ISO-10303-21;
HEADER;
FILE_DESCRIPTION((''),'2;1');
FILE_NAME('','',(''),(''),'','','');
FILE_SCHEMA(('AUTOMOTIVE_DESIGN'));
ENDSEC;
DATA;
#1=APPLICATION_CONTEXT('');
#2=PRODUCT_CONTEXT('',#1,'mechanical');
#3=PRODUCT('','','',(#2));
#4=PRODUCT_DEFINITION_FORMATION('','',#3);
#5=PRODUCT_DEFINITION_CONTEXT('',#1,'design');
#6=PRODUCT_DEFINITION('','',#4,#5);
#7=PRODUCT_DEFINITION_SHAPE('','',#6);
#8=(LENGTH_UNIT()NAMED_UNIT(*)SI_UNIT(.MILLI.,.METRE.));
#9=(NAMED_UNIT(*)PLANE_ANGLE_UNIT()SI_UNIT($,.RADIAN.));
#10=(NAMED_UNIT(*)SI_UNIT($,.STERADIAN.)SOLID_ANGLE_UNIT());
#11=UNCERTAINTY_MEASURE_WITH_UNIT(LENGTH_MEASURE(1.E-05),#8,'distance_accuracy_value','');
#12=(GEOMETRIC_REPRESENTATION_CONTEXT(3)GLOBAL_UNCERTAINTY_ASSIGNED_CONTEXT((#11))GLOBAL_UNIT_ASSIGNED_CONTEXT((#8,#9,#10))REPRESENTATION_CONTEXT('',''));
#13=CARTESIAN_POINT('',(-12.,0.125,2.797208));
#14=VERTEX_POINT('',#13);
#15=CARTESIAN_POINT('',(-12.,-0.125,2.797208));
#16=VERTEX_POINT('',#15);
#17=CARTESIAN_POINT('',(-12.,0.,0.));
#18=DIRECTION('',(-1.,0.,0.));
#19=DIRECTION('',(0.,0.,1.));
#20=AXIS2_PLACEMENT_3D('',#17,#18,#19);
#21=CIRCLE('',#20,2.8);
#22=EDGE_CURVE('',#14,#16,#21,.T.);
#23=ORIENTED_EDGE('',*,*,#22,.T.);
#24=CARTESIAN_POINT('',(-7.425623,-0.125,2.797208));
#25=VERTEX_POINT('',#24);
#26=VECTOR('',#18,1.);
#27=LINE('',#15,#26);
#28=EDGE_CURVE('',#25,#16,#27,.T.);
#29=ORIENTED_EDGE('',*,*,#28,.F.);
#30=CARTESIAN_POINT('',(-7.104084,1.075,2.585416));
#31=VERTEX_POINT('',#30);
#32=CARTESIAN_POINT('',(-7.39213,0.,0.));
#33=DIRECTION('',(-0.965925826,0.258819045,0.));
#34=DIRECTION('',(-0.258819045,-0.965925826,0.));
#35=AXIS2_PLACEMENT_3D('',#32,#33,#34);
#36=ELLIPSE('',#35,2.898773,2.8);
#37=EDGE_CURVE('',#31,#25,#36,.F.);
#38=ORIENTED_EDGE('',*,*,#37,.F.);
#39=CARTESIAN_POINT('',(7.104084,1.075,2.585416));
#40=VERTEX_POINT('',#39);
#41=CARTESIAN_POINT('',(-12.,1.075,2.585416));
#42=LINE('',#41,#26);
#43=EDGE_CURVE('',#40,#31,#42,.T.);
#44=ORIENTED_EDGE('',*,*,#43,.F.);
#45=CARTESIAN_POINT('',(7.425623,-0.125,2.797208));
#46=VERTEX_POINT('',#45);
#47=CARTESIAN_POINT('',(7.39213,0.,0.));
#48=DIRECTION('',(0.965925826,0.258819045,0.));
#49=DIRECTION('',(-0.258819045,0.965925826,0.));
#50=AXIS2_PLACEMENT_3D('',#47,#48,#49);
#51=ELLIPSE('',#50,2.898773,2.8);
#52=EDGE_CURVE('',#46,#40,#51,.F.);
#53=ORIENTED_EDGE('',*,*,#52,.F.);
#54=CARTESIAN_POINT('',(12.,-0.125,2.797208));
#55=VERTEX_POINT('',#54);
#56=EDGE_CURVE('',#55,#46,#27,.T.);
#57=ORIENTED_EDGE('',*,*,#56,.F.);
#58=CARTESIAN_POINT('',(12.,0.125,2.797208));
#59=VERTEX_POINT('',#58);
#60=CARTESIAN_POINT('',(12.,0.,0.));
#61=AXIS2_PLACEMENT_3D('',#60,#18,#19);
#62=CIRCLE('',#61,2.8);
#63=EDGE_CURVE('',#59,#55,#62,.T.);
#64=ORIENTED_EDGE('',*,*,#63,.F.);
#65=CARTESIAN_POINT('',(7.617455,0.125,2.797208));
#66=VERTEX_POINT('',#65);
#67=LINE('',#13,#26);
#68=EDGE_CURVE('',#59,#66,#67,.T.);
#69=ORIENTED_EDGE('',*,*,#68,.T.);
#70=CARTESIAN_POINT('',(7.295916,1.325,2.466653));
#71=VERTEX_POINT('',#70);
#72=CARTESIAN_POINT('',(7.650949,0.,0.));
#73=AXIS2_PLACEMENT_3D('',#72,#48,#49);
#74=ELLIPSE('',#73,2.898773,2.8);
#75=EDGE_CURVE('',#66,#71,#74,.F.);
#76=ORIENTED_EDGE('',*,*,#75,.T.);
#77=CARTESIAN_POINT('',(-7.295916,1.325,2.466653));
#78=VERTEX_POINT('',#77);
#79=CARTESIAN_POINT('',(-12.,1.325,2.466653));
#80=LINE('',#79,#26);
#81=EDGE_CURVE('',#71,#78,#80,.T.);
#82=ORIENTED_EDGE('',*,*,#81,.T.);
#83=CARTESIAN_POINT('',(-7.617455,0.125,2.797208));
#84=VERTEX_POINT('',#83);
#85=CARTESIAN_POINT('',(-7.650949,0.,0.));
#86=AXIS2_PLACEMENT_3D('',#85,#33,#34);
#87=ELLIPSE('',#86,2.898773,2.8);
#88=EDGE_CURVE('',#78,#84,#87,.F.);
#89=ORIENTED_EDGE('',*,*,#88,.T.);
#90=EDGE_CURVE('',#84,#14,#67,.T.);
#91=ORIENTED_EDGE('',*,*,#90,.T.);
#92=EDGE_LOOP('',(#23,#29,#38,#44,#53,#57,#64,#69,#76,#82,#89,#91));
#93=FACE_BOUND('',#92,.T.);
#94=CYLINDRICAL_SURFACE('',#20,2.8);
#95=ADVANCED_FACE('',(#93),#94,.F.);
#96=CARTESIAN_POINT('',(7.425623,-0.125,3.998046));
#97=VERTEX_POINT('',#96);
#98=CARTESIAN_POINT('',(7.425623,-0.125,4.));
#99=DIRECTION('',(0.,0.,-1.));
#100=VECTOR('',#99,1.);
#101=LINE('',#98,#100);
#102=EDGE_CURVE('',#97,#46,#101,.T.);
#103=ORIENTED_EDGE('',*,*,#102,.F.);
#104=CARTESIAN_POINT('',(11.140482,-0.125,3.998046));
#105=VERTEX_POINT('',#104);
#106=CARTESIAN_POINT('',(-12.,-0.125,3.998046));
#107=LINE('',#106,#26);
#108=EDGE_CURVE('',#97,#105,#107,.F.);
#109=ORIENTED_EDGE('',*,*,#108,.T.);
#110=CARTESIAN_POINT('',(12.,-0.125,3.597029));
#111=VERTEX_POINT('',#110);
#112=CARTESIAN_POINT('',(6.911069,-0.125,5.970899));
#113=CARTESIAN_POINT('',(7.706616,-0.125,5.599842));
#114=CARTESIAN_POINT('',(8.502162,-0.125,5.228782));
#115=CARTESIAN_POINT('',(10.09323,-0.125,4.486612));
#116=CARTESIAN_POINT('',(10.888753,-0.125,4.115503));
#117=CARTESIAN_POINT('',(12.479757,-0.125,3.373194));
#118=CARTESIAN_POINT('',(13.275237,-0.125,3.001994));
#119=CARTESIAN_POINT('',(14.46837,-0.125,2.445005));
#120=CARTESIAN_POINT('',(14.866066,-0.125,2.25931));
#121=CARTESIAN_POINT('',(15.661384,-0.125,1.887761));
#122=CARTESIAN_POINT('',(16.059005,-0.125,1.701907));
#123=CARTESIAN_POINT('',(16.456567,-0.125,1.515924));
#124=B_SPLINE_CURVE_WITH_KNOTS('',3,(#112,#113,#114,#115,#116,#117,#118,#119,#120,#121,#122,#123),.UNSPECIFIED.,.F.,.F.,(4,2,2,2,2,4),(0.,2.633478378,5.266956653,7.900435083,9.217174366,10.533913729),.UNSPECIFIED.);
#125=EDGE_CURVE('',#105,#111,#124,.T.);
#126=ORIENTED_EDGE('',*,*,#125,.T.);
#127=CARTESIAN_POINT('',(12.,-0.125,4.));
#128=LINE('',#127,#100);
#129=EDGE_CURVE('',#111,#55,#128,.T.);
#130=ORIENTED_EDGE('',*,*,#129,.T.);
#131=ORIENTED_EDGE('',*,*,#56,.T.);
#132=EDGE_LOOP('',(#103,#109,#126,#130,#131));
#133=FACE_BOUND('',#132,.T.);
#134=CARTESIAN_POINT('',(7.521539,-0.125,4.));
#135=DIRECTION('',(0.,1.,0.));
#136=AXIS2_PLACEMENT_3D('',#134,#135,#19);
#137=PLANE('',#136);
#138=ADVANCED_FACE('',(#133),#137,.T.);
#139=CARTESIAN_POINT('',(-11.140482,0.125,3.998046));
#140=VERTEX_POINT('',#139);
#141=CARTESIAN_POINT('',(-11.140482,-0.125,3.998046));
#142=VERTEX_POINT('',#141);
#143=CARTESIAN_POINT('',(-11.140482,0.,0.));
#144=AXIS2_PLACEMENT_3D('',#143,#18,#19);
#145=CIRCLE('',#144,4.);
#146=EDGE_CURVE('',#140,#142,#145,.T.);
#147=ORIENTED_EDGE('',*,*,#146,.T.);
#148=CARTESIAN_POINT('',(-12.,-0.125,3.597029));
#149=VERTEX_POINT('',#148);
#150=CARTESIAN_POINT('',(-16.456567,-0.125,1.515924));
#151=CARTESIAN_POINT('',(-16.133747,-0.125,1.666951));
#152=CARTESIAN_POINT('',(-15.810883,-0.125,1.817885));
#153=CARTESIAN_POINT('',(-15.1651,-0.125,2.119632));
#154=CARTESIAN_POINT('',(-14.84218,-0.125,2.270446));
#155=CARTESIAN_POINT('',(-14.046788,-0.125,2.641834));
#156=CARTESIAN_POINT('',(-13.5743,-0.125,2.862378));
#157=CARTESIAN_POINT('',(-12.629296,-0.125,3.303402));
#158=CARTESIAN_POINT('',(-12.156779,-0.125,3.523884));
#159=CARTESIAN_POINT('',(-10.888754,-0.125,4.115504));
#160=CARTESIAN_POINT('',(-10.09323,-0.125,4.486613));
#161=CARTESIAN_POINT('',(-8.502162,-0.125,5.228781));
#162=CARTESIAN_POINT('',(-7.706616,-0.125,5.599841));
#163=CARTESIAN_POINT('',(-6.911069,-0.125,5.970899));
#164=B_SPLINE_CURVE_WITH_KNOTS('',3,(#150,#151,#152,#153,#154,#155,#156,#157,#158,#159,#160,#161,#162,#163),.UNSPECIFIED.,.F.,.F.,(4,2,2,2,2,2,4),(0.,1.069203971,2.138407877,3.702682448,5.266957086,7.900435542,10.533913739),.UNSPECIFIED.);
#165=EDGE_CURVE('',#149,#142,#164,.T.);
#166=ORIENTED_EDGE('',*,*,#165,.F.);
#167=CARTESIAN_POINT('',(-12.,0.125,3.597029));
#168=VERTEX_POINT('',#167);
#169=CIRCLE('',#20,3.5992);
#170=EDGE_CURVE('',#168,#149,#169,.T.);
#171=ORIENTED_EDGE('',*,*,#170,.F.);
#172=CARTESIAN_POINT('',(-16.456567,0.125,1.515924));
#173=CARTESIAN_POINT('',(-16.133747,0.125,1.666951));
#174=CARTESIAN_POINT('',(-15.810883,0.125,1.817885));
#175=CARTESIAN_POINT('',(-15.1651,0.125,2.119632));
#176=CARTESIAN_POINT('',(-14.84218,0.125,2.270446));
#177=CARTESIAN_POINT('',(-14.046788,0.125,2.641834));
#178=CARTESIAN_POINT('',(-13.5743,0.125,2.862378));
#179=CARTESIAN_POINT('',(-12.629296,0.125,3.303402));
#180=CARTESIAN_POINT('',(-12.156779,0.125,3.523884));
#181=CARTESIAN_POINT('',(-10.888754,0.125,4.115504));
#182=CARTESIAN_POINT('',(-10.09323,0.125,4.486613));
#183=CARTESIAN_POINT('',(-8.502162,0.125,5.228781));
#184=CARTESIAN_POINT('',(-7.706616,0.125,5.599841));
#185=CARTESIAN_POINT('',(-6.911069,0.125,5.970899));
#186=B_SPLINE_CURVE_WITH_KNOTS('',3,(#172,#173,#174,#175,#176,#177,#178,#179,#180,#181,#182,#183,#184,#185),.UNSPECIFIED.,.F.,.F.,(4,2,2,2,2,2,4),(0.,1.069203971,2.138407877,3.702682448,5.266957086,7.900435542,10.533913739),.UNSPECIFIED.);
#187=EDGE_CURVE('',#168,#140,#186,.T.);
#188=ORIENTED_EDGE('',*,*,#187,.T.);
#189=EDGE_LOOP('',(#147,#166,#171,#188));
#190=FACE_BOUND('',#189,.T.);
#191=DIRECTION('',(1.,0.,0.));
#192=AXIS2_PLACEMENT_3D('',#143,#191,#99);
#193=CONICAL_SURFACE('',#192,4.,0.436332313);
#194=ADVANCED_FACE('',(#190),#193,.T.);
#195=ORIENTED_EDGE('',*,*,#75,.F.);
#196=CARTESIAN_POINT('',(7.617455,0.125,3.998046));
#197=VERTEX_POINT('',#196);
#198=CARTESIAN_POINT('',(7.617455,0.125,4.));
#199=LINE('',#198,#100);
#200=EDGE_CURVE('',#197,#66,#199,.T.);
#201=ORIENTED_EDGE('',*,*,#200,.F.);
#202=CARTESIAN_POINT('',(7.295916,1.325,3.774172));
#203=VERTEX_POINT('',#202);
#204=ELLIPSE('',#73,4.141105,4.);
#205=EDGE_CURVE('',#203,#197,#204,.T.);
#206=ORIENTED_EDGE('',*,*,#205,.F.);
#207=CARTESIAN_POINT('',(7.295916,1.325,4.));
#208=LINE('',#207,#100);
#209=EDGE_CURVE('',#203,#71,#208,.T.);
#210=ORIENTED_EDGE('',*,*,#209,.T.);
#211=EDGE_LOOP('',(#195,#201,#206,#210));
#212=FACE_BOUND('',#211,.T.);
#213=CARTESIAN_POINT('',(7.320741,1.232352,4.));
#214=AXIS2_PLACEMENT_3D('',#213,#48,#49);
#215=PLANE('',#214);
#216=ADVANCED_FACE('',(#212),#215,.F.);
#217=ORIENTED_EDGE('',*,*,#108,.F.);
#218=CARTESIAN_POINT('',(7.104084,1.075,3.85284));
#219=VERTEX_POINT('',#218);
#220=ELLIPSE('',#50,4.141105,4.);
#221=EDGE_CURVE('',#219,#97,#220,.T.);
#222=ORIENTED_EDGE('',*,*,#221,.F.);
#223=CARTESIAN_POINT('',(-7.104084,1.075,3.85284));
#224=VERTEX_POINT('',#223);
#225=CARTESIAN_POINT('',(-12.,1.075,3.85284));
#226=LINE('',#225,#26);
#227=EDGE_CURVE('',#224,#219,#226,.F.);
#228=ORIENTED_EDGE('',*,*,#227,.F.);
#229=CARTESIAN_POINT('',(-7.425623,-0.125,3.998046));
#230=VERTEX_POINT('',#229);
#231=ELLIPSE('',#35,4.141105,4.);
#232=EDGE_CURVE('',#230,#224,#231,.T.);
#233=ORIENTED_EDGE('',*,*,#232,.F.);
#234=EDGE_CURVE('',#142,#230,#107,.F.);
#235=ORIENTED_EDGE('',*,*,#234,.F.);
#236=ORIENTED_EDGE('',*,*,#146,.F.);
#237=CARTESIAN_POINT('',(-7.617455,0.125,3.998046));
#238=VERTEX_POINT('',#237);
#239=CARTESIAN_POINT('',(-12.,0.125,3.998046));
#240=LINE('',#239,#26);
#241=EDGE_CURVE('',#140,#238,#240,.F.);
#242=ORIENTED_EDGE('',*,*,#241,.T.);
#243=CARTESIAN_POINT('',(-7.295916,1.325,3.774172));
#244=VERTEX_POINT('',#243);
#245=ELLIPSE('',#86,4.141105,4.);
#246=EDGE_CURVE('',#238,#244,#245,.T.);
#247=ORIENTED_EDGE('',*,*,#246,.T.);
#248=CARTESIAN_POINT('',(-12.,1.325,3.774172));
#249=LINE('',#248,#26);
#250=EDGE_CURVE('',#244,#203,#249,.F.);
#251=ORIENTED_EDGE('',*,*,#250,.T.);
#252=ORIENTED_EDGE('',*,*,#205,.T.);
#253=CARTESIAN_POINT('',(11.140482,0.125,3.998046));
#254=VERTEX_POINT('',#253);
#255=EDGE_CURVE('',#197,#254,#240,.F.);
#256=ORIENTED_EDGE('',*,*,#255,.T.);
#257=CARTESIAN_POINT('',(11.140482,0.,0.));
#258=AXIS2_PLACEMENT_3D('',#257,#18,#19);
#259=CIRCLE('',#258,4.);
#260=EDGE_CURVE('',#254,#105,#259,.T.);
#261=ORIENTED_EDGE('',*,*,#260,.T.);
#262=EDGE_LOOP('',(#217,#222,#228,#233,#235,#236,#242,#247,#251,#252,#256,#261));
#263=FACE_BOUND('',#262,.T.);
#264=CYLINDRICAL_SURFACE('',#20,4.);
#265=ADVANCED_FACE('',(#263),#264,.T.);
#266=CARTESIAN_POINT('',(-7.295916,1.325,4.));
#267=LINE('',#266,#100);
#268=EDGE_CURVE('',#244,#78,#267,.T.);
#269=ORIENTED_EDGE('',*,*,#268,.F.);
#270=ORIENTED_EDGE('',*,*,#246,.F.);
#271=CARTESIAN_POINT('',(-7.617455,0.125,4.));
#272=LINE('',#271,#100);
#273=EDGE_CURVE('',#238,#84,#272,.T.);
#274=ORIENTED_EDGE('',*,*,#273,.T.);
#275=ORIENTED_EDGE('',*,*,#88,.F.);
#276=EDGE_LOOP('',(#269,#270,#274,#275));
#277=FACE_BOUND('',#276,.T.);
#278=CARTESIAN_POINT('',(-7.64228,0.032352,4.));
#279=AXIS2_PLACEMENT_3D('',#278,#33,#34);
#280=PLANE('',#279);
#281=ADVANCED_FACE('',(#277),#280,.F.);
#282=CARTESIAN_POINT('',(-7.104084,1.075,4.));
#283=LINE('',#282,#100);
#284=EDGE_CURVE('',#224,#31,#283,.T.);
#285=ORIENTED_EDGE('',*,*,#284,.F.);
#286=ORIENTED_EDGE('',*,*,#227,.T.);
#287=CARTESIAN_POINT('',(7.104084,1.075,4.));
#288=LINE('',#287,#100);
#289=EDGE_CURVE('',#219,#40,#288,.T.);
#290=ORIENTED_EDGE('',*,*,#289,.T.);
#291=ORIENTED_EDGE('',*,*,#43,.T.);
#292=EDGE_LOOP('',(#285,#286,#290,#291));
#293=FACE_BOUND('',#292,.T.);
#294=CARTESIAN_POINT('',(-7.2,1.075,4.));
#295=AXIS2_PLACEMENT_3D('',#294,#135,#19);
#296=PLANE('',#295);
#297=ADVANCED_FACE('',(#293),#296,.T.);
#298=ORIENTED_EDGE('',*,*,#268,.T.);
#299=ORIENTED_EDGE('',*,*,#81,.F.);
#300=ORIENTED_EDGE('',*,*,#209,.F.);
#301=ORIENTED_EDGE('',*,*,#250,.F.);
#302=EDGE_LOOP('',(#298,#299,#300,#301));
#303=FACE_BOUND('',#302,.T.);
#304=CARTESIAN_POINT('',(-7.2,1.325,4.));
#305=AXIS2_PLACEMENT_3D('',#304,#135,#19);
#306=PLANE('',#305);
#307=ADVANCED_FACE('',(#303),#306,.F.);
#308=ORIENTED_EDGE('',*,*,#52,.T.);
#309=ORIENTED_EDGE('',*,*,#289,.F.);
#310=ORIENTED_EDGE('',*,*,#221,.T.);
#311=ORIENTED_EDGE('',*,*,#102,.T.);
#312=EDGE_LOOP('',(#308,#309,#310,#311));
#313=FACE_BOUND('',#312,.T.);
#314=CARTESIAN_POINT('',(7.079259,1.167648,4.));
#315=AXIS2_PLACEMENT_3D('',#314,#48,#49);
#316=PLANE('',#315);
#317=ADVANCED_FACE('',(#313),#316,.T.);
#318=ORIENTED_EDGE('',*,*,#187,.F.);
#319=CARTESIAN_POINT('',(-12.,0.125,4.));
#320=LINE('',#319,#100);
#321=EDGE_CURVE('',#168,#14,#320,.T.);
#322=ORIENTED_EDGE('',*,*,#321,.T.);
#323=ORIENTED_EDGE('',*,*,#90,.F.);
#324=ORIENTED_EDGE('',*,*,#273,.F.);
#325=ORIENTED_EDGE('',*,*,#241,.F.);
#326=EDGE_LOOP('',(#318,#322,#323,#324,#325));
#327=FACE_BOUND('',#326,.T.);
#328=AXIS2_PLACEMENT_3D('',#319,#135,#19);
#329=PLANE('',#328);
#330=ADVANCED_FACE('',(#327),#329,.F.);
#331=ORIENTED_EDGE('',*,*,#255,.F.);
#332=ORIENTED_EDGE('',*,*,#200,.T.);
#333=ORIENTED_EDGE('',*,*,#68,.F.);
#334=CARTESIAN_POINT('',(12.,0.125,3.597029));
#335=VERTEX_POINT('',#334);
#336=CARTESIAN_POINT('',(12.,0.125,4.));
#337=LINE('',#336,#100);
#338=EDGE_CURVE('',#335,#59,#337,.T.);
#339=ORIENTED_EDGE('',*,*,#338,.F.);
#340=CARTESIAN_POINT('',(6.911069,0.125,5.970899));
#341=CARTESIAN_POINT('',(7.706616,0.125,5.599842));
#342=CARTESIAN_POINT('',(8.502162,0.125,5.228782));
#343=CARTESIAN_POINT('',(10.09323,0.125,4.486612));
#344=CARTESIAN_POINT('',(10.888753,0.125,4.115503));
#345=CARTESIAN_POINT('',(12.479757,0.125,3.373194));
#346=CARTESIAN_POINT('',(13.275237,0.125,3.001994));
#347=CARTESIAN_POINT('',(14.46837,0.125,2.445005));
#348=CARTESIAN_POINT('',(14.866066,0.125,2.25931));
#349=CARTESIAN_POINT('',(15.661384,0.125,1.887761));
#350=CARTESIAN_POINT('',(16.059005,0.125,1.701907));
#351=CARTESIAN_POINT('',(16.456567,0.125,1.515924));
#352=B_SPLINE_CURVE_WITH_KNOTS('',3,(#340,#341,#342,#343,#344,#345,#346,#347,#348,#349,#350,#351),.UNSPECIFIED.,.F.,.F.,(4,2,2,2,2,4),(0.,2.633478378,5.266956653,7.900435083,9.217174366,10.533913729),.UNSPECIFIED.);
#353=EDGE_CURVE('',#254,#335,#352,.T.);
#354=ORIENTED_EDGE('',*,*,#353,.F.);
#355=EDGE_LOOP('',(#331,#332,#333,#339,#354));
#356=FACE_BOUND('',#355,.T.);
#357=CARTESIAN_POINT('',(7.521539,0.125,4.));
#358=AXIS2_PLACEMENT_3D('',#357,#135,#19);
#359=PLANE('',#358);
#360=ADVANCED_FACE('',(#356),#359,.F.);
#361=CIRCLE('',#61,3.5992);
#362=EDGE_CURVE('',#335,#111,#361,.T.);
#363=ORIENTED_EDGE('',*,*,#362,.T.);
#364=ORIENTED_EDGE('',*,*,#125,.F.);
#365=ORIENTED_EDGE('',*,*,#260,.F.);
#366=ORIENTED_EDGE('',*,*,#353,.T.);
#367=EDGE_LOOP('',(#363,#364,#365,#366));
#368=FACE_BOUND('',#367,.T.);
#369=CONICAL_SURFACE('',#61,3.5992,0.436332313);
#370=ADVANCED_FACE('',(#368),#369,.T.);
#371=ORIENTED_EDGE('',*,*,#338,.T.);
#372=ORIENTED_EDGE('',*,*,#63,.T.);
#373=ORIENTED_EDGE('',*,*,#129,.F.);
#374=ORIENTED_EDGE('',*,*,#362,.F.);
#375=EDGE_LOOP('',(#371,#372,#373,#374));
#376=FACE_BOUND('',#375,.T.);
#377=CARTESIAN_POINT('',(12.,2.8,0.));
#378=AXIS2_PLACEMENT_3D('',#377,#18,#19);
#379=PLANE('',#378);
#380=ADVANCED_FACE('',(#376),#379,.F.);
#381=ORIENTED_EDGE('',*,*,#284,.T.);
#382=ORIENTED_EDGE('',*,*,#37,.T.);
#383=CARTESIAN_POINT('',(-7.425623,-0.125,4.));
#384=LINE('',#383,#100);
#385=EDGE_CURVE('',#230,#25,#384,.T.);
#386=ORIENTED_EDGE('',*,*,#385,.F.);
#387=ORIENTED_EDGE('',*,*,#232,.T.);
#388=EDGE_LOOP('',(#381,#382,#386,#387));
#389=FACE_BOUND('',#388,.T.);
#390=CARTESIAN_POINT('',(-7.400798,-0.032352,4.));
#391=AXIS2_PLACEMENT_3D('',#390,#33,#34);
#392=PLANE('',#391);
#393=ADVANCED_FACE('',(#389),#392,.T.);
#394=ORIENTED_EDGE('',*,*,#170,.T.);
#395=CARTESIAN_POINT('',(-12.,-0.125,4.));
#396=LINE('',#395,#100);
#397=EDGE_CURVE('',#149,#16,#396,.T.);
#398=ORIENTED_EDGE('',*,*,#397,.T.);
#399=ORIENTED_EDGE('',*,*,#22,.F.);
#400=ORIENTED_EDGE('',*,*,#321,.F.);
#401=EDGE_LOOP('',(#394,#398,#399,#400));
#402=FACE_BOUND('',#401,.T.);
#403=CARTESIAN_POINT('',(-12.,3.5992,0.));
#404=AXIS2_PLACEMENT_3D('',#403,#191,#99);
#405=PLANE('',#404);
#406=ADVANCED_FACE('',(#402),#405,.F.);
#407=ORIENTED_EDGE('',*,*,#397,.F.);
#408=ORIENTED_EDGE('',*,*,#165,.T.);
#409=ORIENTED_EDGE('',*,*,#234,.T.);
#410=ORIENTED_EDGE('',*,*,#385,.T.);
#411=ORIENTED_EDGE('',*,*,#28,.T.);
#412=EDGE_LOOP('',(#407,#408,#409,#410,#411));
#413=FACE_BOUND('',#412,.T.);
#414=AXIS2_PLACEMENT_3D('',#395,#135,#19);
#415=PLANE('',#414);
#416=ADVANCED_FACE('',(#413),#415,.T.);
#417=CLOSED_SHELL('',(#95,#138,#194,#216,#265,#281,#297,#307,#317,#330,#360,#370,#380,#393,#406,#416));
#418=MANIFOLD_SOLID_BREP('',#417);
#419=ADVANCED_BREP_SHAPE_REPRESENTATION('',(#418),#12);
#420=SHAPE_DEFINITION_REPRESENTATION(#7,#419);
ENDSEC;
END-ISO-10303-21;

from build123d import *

# Parameters (mm, degrees)
CUT_EXTRUDE_THIN1_DEPTH = 14.266499161


with BuildPart() as part:
    # Sketch1 → Revolve1 (revolve)
    with BuildSketch(Plane.XY, mode=Mode.PRIVATE) as revolve1_sk:
        Polygon((-12, 2.8), (12, 2.8), (12, 3.5992), (11.140481626, 4), (-11.140481626, 4), (-12, 3.5992), align=None)
    revolve(revolve1_sk.sketch.rotate(Axis((-12, 0, 0), (1, 0, 0)), 90), axis=Axis((-12, 0, 0), (1, 0, 0)))

    # Sketch2 → Cut-Extrude-Thin1 (cut, through all)
    with BuildSketch(Plane.XY):
        Polygon((-12, -0.125), (-7.425623157, -0.125), (-7.104084127, 1.075), (7.104084127, 1.075), (7.425623157, -0.125), (12, -0.125), (12, 0.125), (7.617454904, 0.125), (7.295915873, 1.325), (-7.295915873, 1.325), (-7.617454904, 0.125), (-12, 0.125), align=None)
    extrude(amount=CUT_EXTRUDE_THIN1_DEPTH, mode=Mode.SUBTRACT)


solid = part.part
